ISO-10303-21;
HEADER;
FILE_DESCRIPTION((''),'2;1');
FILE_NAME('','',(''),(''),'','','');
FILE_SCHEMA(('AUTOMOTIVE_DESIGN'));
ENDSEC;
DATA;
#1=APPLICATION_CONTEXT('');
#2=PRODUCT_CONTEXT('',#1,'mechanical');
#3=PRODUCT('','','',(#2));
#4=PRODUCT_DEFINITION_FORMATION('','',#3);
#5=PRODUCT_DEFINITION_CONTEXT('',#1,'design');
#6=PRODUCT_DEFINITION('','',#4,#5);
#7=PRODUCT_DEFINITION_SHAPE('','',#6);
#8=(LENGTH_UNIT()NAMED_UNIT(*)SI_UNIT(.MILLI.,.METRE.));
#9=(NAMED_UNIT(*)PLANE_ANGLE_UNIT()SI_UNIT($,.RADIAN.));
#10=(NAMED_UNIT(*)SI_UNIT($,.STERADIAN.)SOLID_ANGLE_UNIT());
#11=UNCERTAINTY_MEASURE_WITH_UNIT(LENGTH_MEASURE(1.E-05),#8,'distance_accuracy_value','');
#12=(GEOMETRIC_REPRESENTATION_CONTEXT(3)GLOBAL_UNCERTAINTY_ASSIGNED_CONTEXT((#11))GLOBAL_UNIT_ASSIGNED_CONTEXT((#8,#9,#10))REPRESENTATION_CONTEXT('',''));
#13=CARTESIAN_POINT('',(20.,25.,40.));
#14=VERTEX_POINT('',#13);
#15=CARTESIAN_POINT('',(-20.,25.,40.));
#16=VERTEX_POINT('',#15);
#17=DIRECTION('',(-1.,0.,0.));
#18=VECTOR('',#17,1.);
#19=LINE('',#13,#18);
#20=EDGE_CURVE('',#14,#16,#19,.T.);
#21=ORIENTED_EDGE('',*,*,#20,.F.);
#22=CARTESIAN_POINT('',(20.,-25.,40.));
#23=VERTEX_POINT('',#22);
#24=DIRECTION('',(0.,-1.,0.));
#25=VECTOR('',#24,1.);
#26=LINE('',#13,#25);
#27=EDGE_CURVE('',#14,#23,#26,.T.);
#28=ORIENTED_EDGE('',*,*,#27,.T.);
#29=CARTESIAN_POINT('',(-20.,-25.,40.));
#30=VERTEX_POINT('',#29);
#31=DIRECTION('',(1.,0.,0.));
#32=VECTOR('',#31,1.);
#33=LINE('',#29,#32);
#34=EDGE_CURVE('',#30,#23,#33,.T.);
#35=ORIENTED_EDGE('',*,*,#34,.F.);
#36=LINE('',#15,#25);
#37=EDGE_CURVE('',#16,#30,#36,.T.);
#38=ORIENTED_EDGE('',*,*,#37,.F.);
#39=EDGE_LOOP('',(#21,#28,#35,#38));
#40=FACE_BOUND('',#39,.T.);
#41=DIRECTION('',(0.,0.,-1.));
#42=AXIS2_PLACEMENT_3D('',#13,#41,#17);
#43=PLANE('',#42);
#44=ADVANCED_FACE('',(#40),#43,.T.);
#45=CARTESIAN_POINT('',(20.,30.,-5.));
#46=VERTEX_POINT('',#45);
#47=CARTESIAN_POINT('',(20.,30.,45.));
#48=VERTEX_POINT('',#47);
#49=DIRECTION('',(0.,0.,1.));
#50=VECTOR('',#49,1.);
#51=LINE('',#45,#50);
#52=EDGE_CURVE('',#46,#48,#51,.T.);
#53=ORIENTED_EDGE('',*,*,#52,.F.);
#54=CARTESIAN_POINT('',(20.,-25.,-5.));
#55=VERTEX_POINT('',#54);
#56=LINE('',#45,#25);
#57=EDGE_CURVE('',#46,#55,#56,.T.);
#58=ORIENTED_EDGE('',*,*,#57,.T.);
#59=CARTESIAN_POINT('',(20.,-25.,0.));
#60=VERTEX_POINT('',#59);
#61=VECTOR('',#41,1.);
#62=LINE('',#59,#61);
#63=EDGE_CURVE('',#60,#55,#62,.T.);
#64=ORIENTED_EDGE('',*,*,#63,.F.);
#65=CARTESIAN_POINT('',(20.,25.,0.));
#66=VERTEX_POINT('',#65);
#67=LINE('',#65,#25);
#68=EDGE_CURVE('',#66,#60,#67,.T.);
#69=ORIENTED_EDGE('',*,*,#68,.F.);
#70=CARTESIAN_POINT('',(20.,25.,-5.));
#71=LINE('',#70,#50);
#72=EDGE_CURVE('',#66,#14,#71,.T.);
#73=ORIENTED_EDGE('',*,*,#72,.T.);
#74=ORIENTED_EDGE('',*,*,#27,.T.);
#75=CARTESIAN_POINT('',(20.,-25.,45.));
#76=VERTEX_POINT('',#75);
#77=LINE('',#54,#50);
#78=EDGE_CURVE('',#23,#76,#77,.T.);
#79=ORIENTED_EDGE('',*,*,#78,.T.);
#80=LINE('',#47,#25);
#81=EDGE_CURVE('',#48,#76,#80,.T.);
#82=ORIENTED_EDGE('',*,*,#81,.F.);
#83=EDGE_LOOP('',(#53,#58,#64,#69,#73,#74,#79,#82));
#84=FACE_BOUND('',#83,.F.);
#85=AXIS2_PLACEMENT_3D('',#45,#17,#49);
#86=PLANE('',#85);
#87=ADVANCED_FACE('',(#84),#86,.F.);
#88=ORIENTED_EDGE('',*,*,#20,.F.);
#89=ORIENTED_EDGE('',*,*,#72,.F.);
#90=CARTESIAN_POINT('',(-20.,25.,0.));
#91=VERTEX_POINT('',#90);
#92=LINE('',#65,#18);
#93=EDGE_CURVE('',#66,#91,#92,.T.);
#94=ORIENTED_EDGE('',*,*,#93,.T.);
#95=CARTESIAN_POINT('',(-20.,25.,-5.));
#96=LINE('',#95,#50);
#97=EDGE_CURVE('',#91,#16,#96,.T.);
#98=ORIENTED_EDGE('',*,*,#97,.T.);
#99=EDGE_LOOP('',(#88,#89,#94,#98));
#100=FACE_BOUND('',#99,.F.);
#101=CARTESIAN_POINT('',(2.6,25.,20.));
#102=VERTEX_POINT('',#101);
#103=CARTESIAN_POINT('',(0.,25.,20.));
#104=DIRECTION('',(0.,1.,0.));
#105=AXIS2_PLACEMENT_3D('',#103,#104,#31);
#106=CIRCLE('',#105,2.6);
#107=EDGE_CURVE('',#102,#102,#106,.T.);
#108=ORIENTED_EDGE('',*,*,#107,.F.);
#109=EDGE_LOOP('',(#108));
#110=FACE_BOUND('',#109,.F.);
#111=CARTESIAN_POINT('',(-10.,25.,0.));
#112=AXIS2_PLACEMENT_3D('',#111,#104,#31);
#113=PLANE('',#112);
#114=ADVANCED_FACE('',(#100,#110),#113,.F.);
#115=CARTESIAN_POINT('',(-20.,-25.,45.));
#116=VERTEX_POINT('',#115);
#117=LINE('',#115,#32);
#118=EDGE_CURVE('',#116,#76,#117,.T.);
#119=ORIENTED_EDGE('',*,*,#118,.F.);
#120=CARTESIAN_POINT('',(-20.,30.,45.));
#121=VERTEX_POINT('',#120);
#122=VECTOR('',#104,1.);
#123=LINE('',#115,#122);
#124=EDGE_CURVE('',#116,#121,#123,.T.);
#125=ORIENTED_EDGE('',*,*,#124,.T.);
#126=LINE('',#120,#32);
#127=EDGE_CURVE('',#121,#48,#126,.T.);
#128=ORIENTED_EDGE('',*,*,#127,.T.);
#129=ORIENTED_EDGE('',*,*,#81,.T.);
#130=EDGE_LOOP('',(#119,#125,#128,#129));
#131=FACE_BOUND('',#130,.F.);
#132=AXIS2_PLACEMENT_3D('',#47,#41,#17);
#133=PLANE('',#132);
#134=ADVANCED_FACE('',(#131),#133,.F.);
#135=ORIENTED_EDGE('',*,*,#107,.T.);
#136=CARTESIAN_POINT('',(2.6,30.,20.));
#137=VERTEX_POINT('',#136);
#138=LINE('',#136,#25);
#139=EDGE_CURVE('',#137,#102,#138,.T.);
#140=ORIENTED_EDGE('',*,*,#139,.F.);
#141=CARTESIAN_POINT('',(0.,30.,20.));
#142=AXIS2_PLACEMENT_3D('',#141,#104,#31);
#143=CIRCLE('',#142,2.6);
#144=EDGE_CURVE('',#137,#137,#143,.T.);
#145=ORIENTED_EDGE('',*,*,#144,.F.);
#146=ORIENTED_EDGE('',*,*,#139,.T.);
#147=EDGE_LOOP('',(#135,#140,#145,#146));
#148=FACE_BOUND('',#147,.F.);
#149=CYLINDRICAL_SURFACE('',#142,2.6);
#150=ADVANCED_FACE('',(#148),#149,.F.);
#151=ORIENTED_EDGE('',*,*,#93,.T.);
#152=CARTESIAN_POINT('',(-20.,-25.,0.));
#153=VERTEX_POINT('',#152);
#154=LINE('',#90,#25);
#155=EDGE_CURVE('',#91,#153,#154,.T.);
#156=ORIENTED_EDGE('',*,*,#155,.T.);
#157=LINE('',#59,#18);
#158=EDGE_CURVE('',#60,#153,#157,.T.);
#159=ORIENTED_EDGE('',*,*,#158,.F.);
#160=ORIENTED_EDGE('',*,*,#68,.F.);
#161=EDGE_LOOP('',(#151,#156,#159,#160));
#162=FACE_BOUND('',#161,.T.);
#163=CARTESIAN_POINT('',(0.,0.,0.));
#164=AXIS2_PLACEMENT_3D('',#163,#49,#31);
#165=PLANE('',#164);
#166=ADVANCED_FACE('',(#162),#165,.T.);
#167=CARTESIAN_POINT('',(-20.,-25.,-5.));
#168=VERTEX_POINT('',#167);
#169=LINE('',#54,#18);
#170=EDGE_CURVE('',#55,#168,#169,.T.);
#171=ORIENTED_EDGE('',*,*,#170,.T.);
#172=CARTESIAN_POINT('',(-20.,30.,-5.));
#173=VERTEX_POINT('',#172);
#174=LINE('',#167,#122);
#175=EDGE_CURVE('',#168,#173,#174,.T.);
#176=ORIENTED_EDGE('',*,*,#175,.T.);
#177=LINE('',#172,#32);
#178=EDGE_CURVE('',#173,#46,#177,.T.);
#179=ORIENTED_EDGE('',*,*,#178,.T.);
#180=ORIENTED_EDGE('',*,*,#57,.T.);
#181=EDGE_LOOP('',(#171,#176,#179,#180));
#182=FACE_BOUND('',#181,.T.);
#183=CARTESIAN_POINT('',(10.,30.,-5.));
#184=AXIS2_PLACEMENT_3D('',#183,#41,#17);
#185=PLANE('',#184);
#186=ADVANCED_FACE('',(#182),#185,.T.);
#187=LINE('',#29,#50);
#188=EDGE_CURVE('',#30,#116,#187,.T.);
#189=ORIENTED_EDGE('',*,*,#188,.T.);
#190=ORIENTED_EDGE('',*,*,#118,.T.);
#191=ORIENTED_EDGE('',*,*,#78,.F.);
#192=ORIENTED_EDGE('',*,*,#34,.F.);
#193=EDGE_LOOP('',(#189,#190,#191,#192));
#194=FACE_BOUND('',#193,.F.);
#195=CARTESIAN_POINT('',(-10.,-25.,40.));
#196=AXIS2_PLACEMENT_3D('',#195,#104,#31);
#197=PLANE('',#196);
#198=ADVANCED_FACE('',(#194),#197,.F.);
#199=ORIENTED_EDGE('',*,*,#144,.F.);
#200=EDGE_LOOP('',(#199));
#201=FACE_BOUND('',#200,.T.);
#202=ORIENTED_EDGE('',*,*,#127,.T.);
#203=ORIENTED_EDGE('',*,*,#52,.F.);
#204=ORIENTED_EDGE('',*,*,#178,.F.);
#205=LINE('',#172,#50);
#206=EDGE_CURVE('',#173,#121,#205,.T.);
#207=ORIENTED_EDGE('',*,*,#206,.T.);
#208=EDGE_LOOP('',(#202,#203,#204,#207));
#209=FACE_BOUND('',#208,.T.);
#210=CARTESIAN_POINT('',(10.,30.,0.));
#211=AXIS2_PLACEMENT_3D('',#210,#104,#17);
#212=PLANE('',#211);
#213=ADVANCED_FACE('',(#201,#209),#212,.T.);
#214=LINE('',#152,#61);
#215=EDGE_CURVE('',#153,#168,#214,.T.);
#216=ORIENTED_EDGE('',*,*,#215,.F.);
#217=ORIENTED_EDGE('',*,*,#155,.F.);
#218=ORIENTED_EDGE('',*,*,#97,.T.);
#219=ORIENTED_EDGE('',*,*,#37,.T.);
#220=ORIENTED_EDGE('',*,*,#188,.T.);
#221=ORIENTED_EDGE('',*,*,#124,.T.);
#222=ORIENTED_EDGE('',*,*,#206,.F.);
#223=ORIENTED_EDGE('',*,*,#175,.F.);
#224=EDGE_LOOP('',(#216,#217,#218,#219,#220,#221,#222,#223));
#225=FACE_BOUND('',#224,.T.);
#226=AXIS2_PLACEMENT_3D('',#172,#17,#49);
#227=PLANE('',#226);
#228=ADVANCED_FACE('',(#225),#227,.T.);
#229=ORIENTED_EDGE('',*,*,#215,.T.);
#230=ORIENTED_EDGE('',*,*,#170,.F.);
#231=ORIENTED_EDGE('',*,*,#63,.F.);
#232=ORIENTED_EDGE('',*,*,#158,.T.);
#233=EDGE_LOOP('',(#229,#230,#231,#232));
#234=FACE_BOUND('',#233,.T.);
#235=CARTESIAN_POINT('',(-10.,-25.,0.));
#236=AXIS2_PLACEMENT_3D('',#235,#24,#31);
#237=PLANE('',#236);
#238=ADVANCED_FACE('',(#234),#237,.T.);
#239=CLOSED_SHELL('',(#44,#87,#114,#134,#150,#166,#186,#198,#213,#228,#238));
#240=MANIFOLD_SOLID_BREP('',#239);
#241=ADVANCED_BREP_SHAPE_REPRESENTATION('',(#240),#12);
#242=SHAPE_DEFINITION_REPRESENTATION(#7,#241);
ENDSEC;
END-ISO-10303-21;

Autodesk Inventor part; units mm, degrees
ref_plane "YZ Plane" through (0, 0, 0) normal (1, 0, 0) x (0, 1, 0)
ref_plane "XZ Plane" through (0, 0, 0) normal (0, 1, 0) x (-1, 0, 0)
sketch "Sketch1" plane through (0, 0, 0) normal (0, 0, 1) x (1, 0, 0)
  line L0 (-10, -25) -> (10, -25)
  line L1 (10, -25) -> (10, 25)
  line L2 (10, 25) -> (-10, 25)
  line L3 (-10, 25) -> (-10, -25)
  line L4 (-10, -25) -> (10, 25) construction
  line L5 (10, -25) -> (-10, 25) construction
  point P0 (0, 0)
  dimension "d0" = 20
  dimension "d1" = 50
ref_plane "Work Plane1" through (-10, 25, 0) normal (0, 1, 0) x (1, 0, 0)
sketch "Sketch2" plane through (-10, 25, 0) normal (0, 1, 0) x (1, 0, 0)
  line L0 (20, 0) -> (0, 0) projected
  line L1 (0, 0) -> (20, 0)
  line L2 (20, 0) -> (20, -40)
  line L3 (20, -40) -> (0, -40)
  line L4 (0, -40) -> (0, 0)
  point P0 (10, 0)
  dimension "d4" = 40
extrude "Extrusion2" add sketch "Sketch2" along normal blind 5
sketch "Sketch3" plane through (-10, 25, 40) normal (0, 0, 1) x (1, 0, 0)
  line L0 (20, -50) -> (20, 0) projected
  line L1 (20, 0) -> (0, 0) projected
  line L2 (0, 0) -> (0, -50) projected
  line L3 (0, -50) -> (20, -50) projected
  line L4 (0, 0) -> (20, 0) projected
  line L5 (20, 0) -> (20, 5) projected
  line L6 (0, 5) -> (20, 5) projected
  line L7 (0, 0) -> (0, 5) projected
  point P0 (10, -25)
extrude "Extrusion3" add sketch "Sketch3" along normal blind 5
extrude "Extrusion4" add sketch "Sketch1" against normal blind 5
sketch "Sketch4" plane through (10, 30, 0) normal (0, 0, -1) x (-1, 0, 0)
  line L0 (0, -5) -> (20, -5) projected
  line L1 (20, -5) -> (20, 0) projected
  line L2 (0, 0) -> (20, 0) projected
  line L3 (0, -5) -> (0, 0) projected
  point P0 (10, -30)
extrude "Extrusion5" add sketch "Sketch4" along normal blind 5
sketch "Sketch5" plane through (-10, 30, 0) normal (0, 1, 0) x (1, 0, 0)
  circle A0 centre (10, -20) radius 2.6
  point P0 (10, 0)
  dimension "d13" = 5.2
extrude "Extrusion6" cut sketch "Sketch5" against normal blind 10
sketch "Sketch6" plane through (-10, 30, 0) normal (0, 1, 0) x (1, 0, 0)
  line L0 (20, 0) -> (20, 5) projected
  line L1 (20, 5) -> (30, 5)
  line L2 (30, 5) -> (30, -45)
  line L3 (30, -45) -> (20, -45)
  line L4 (20, -45) -> (20, 5)
  line L5 (20, 5) -> (0, 5) projected
  line L6 (0, 5) -> (-10, 5)
  line L7 (-10, 5) -> (-10, -45)
  line L8 (-10, -45) -> (0, -45)
  line L9 (0, -45) -> (0, 5)
  point P0 (10, 0)
  dimension "d16" = 10
  dimension "d17" = 50
  dimension "d18" = 10
extrude "Extrusion7" add sketch "Sketch6" against normal blind 5
sketch "Sketch7" plane through (-10, 25, 0) normal (0, -1, 0) x (1, 0, 0)
  line L0 (20, -5) -> (30, -5) projected
  line L1 (30, -5) -> (20, -5)
  line L2 (20, -5) -> (20, 0)
  line L3 (20, 0) -> (30, 0)
  line L4 (30, 0) -> (30, -5)
  line L5 (30, -5) -> (-10, -5) projected
  line L6 (0, 0) -> (0, -5) projected
  line L7 (-10, -5) -> (0, -5)
  line L8 (0, -5) -> (0, 0)
  line L9 (0, 0) -> (-10, 0)
  line L10 (-10, 0) -> (-10, -5)
  line L11 (-10, 45) -> (30, 45) projected
  line L12 (30, -5) -> (30, 45) projected
  line L13 (20, 45) -> (30, 45)
  line L14 (30, 45) -> (30, 40)
  line L15 (30, 40) -> (20, 40)
  line L16 (20, 40) -> (20, 45)
  line L17 (-10, 45) -> (0, 45)
  line L18 (0, 45) -> (0, 40)
  line L19 (0, 40) -> (-10, 40)
  line L20 (-10, 40) -> (-10, 45)
  point P0 (10, 0)
  dimension "d21" = 5
extrude "Extrusion8" add sketch "Sketch7" along normal blind 50
properties part number "brazo"
